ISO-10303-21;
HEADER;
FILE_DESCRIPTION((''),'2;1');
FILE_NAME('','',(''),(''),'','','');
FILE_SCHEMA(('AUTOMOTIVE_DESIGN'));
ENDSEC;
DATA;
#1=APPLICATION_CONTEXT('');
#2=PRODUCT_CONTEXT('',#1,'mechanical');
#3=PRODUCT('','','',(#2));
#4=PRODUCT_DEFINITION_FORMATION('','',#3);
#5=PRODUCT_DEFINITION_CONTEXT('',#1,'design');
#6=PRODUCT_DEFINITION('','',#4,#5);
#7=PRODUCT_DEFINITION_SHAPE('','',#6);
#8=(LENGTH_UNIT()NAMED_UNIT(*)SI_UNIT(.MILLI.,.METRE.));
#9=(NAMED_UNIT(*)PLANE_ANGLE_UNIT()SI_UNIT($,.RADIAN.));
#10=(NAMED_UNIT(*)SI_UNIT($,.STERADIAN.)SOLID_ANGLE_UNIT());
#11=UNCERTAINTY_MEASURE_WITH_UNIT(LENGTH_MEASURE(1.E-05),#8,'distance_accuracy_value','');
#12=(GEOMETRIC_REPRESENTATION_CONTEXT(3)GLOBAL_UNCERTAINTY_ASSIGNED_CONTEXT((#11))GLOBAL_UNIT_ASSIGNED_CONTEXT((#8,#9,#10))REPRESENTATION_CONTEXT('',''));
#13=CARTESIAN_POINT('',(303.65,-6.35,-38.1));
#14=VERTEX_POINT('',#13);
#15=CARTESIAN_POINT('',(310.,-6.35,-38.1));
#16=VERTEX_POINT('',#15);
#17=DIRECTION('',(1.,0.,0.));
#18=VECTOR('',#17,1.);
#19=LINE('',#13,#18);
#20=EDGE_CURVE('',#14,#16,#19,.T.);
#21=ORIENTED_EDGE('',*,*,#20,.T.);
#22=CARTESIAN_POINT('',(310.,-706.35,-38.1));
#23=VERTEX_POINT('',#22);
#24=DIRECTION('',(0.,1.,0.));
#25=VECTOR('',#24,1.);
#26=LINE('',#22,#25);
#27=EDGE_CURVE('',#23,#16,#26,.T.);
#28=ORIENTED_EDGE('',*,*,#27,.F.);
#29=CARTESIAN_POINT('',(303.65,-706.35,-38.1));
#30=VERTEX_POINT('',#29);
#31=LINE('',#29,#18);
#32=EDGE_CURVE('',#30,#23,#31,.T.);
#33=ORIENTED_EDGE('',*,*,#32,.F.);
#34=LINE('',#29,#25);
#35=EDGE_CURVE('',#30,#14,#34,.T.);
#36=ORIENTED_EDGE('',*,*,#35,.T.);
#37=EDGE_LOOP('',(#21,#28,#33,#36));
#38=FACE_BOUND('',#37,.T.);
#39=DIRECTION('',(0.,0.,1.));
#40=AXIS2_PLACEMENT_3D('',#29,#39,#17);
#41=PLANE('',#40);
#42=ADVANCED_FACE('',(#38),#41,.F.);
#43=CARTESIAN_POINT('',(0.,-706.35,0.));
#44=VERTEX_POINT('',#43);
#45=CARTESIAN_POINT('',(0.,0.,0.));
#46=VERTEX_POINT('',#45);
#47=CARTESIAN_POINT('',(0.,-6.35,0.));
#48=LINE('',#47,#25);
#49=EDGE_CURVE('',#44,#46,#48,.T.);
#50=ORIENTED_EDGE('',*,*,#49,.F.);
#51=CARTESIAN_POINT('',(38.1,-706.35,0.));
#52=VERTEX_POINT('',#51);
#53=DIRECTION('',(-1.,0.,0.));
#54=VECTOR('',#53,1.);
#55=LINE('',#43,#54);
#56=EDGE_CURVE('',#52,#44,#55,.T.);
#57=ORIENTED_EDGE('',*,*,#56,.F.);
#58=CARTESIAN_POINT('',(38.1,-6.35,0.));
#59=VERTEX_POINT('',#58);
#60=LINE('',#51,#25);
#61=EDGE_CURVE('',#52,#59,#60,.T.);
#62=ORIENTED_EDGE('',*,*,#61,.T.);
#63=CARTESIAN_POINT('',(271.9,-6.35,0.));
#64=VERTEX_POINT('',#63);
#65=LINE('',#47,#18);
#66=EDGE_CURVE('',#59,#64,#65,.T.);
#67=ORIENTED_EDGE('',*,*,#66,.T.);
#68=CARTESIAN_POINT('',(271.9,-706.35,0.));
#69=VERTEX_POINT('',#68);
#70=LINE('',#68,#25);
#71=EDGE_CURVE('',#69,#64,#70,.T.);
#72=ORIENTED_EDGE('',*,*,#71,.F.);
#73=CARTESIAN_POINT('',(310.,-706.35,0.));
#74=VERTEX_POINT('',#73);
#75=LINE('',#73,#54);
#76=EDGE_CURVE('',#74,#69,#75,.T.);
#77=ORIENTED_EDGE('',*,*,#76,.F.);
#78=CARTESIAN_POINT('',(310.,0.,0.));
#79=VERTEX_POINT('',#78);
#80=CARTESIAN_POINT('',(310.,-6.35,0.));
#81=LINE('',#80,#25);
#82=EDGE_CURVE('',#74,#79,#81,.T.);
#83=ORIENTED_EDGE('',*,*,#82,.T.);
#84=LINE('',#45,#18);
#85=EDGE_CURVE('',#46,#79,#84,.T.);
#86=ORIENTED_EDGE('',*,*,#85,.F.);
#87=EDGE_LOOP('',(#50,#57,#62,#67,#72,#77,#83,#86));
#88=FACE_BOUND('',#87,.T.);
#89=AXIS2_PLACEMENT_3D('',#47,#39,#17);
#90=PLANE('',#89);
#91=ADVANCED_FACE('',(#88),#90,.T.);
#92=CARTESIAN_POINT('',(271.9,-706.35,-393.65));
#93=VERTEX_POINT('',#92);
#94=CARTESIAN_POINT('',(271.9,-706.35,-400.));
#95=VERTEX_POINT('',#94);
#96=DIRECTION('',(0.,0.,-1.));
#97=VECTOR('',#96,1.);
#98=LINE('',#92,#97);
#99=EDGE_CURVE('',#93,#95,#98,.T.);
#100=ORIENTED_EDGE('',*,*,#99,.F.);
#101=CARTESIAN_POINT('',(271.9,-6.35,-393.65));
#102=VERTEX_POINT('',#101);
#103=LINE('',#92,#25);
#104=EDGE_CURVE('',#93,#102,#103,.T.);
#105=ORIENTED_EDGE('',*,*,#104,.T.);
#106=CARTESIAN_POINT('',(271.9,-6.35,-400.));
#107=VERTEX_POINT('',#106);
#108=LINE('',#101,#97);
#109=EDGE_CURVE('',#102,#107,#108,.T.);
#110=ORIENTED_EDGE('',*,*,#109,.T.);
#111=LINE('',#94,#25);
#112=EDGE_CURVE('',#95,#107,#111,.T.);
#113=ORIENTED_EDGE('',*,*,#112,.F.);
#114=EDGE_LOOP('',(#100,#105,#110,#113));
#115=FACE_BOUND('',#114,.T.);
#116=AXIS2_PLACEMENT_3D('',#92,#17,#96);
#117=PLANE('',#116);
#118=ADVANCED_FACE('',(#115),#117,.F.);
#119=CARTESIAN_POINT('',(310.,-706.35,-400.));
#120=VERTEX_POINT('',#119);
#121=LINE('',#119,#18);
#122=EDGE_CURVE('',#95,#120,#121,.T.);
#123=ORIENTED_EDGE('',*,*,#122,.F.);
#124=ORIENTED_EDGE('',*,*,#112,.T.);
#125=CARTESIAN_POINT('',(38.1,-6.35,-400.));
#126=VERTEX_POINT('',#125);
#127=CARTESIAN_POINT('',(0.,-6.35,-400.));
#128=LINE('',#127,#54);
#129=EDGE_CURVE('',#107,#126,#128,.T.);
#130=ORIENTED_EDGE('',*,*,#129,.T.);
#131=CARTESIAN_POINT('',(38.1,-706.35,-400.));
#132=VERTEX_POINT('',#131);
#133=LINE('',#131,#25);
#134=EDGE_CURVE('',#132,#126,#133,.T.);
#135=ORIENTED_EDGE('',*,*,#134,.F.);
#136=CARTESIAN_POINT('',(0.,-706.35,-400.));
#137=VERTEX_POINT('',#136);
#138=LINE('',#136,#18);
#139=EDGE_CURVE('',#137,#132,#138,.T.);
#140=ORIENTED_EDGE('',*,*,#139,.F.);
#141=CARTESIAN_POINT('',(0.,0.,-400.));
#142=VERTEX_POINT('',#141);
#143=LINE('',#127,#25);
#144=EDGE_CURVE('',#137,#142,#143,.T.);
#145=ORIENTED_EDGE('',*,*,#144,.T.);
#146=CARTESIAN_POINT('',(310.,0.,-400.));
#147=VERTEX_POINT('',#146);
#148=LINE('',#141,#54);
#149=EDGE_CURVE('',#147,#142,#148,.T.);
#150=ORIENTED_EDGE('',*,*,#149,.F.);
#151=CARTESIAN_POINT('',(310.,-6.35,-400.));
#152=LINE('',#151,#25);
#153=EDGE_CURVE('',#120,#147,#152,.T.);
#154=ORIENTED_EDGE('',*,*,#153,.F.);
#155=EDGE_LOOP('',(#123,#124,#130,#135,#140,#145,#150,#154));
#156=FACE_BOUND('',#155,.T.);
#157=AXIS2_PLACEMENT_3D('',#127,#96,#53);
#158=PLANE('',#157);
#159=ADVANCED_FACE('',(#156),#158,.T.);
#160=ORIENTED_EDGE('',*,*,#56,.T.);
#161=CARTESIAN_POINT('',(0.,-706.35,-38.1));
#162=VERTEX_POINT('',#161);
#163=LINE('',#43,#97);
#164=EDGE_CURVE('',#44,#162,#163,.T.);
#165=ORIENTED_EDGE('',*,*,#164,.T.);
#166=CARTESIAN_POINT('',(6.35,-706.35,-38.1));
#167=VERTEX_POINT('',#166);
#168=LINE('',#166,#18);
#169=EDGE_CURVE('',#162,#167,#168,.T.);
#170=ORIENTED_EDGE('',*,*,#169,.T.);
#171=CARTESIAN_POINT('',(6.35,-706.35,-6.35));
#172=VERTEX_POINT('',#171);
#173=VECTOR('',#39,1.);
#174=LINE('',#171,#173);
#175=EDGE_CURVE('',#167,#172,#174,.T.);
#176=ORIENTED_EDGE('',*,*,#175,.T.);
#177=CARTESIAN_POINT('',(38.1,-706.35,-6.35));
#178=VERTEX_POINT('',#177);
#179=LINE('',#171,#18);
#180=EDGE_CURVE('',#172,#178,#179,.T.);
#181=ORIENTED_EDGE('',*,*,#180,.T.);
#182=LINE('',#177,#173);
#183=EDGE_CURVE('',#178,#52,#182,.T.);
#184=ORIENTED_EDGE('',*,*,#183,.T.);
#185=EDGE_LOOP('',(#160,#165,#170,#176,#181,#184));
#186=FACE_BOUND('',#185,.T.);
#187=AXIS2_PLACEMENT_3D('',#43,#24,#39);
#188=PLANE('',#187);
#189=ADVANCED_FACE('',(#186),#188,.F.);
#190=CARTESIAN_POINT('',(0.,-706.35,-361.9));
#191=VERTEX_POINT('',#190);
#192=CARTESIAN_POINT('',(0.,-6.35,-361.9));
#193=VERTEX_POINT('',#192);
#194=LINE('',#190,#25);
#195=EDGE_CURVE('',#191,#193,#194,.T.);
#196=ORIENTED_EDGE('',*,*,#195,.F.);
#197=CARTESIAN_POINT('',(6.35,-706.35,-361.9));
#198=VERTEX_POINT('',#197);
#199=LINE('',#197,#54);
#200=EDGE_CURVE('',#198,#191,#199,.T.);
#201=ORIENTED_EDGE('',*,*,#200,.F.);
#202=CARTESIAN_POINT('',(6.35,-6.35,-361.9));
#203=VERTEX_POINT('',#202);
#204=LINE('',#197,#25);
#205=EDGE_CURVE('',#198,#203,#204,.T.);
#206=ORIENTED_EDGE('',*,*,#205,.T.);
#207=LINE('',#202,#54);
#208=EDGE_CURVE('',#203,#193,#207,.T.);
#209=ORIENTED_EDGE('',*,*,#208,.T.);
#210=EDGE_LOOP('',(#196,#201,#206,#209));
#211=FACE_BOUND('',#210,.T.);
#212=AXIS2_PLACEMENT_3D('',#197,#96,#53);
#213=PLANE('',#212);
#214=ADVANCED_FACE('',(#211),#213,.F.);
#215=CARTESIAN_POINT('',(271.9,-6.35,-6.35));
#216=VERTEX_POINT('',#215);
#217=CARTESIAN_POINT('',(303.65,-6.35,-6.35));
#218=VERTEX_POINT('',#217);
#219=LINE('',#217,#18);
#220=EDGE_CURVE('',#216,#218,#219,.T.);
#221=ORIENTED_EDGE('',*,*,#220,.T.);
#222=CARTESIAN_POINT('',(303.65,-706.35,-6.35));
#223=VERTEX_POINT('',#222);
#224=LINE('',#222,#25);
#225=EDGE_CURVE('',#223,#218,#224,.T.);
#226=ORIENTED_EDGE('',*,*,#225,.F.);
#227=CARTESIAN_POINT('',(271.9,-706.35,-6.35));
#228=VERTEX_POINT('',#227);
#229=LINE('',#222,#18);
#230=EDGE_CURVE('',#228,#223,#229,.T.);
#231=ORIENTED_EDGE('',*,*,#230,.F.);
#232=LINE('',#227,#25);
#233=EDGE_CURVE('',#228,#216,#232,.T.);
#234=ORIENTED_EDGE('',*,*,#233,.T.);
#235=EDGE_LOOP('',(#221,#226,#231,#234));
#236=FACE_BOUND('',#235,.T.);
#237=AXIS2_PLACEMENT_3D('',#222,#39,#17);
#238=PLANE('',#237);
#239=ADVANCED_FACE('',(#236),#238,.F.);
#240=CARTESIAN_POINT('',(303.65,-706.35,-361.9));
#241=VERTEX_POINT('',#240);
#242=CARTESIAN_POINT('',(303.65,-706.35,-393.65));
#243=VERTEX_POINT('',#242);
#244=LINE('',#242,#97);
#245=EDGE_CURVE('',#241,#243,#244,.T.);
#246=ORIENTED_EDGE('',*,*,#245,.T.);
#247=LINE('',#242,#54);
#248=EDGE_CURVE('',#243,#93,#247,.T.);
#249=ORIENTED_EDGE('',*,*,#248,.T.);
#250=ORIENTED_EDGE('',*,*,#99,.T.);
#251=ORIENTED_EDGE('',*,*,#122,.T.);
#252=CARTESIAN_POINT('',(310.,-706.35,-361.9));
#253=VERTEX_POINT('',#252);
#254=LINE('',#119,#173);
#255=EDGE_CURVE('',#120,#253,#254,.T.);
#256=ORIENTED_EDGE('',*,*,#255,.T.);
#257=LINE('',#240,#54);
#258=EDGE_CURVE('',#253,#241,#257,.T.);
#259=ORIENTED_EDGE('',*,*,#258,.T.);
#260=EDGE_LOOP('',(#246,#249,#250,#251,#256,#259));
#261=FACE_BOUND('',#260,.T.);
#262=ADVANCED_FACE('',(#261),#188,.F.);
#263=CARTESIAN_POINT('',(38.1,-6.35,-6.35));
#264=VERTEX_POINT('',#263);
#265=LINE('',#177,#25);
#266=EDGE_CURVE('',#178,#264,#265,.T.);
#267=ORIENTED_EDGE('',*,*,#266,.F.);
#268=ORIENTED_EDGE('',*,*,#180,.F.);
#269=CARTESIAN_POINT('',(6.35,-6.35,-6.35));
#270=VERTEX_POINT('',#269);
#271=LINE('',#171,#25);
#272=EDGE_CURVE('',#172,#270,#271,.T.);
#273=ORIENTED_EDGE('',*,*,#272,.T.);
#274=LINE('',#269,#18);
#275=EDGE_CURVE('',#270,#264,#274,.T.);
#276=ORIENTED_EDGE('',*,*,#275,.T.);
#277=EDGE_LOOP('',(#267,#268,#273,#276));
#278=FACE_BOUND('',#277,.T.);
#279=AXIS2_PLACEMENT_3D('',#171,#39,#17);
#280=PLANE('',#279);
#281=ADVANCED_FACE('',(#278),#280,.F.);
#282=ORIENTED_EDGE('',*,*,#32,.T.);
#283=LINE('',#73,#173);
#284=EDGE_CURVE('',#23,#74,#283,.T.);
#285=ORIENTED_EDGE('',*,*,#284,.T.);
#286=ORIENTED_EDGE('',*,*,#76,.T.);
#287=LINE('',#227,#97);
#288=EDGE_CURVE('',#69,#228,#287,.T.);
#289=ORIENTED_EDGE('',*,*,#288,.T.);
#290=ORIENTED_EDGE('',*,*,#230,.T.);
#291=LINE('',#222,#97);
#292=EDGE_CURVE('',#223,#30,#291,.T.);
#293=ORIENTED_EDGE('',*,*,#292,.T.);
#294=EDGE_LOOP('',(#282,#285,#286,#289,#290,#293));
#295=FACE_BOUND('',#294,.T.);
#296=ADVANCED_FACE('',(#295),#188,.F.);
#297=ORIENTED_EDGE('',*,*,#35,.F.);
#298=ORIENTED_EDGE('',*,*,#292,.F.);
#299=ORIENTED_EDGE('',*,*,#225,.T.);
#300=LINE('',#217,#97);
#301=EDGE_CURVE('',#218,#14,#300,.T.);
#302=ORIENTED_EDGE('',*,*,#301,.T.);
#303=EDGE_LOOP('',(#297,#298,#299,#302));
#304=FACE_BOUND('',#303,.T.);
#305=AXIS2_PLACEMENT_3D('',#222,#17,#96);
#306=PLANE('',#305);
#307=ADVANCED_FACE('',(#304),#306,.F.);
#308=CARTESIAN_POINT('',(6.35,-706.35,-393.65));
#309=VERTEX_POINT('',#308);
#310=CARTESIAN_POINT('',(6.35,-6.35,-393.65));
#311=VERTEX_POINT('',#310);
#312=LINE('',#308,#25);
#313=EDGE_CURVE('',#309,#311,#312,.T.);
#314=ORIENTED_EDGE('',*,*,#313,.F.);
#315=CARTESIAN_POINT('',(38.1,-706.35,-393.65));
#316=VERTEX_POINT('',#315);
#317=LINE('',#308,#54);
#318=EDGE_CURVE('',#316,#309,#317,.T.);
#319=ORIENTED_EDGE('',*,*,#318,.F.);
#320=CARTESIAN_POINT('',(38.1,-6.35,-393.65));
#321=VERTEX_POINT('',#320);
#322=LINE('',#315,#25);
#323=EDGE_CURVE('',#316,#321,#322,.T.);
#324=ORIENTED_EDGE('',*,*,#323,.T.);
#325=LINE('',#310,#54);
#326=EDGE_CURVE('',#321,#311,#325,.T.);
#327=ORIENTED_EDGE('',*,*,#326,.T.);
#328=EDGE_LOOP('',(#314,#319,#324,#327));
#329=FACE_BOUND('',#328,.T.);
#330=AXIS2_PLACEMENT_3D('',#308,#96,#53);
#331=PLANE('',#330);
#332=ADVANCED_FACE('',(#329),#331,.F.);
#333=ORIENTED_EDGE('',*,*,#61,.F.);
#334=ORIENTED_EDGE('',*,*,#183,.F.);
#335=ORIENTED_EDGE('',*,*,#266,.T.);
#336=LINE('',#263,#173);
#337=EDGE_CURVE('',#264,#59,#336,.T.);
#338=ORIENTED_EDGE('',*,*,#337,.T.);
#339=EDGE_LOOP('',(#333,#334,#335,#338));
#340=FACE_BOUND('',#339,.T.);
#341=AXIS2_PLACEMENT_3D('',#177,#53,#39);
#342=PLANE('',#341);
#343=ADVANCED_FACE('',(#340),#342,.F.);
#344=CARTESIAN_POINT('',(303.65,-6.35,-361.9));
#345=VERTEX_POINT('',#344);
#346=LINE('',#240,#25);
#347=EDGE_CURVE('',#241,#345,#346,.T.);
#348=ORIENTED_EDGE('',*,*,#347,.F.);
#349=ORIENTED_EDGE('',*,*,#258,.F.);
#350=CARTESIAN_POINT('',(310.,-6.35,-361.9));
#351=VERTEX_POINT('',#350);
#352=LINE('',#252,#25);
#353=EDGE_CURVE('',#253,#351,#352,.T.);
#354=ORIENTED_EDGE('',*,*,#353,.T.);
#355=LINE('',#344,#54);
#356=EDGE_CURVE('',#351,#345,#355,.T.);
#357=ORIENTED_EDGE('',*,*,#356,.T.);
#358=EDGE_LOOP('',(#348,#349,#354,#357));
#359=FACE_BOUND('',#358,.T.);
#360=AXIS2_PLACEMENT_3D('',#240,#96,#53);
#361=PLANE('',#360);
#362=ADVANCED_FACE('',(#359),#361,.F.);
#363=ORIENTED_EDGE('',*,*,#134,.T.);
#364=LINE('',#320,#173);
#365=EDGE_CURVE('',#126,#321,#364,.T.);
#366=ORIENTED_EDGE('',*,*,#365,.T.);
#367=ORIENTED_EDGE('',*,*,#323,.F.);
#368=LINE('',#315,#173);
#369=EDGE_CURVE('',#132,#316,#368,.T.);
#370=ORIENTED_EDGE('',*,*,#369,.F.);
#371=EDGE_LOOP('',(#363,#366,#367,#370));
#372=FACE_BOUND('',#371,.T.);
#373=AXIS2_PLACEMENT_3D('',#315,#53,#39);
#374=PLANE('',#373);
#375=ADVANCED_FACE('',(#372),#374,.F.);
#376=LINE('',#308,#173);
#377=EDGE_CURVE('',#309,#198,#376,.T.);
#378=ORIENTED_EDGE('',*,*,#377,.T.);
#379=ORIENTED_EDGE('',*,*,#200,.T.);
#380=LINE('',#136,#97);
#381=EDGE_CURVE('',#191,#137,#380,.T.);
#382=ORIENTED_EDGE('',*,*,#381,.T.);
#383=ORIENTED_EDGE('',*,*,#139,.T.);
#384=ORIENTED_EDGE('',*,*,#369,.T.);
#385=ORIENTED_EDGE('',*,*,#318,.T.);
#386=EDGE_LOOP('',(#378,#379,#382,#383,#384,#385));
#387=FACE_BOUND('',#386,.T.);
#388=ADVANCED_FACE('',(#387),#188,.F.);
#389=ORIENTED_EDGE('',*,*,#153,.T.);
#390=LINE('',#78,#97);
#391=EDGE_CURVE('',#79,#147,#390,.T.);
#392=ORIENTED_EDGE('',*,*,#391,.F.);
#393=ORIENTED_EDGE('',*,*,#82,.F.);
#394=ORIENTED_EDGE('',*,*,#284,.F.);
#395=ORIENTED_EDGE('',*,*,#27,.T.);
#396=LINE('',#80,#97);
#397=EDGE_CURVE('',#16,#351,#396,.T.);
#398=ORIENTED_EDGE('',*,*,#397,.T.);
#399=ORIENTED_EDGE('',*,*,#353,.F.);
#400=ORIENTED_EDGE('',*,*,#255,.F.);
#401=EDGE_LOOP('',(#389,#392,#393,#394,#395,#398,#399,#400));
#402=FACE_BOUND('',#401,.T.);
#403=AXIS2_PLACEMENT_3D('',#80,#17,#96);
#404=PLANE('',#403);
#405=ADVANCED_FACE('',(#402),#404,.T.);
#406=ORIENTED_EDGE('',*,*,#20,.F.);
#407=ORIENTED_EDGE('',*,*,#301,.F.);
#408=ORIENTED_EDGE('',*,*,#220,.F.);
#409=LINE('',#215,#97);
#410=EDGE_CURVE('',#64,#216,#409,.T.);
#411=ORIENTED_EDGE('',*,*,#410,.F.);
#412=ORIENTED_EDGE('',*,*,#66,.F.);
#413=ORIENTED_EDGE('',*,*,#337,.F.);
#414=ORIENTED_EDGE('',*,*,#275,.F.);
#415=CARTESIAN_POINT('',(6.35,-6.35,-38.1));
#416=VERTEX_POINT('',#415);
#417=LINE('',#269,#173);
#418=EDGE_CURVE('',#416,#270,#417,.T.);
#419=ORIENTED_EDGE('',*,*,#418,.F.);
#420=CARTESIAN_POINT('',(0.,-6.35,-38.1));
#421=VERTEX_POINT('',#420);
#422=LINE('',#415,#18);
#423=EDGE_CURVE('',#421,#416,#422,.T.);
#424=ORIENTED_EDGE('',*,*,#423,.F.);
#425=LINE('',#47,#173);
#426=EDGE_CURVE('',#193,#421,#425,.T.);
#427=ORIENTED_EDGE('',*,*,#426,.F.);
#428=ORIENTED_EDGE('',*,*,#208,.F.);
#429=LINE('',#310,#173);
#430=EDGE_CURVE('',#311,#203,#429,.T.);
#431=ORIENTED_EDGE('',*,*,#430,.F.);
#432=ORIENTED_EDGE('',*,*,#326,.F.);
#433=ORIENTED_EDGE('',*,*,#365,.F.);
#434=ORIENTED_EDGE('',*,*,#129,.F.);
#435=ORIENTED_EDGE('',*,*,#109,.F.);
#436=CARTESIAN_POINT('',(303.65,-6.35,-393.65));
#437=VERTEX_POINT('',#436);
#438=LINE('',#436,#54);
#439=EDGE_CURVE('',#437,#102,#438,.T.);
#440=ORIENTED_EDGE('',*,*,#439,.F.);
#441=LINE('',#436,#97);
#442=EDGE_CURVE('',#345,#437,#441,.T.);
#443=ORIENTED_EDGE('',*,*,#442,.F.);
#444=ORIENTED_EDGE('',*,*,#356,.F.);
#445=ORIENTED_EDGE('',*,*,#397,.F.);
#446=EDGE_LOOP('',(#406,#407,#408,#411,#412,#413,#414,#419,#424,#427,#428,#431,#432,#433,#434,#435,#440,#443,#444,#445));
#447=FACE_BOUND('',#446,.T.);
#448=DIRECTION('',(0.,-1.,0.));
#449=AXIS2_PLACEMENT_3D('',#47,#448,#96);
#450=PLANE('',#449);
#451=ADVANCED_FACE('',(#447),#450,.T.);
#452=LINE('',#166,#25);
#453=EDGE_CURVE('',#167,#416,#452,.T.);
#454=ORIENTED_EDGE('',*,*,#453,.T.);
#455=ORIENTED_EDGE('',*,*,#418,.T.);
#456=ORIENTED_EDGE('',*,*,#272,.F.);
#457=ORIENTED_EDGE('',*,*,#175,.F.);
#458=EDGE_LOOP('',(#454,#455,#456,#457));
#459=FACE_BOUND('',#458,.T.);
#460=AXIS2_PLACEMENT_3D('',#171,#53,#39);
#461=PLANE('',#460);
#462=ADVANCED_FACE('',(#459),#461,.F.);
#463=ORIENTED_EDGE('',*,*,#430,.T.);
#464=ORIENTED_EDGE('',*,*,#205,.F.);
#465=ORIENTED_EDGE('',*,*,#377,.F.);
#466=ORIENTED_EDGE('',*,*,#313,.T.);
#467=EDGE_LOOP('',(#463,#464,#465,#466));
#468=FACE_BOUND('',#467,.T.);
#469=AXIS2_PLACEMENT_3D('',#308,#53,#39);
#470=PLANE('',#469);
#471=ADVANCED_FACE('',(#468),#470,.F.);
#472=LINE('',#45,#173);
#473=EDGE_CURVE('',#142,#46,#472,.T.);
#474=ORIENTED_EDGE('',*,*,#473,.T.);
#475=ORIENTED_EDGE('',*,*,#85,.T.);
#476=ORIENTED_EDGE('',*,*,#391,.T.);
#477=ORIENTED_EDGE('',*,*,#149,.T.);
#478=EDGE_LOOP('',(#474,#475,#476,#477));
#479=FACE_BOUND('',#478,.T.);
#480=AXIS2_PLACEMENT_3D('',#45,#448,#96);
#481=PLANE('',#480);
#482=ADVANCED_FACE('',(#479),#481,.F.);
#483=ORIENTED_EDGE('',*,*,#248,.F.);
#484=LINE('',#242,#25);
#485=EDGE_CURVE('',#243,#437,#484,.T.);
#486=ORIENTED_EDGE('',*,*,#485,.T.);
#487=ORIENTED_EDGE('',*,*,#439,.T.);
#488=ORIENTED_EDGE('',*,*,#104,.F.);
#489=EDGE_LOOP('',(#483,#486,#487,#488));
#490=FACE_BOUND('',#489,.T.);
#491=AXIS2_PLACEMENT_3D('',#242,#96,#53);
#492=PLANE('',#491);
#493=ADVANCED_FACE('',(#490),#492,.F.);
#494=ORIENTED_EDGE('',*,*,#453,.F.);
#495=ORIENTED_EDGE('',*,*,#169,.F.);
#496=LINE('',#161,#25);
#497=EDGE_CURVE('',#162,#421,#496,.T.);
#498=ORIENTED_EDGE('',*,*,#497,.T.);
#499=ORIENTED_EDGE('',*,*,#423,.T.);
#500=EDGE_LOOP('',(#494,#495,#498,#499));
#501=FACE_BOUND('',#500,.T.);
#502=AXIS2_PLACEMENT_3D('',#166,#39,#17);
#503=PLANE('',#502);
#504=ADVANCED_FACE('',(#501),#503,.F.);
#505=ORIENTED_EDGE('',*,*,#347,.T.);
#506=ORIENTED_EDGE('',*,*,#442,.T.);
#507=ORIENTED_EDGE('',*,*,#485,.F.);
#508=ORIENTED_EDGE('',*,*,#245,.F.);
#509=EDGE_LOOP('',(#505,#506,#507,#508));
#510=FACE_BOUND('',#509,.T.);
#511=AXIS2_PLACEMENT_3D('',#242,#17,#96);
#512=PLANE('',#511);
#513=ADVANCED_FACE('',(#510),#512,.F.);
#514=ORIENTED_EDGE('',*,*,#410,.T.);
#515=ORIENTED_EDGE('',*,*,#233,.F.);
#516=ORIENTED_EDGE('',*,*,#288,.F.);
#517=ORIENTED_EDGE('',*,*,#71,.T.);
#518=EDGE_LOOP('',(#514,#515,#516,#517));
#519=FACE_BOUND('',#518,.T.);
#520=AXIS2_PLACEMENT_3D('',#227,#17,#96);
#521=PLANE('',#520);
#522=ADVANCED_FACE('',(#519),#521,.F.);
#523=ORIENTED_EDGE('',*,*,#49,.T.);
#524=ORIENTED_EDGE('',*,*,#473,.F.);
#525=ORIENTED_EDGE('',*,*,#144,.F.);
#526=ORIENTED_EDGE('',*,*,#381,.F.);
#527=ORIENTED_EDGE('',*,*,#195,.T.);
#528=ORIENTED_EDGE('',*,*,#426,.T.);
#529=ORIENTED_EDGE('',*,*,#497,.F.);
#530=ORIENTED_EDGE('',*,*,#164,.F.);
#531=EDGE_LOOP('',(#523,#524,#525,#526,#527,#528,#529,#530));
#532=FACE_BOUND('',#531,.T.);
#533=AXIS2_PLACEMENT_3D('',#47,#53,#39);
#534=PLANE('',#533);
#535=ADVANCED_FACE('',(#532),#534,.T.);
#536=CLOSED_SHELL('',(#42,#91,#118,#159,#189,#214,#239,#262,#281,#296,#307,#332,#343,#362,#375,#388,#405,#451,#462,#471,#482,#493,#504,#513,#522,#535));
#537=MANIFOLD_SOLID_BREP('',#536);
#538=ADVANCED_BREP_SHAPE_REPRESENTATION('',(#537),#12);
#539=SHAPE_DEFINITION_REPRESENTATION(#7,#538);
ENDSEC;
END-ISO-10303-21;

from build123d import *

# Parameters (mm, degrees)
CROQUIS2_W              = 310
CROQUIS2_H              = 400
SALIENTE_EXTRUIR1_DEPTH = 6.35
SALIENTE_EXTRUIR2_DEPTH = 700


with BuildPart() as part:
    # Croquis2 → Saliente-Extruir1 (new body)
    with BuildSketch(Plane(origin=(0, 0, 0), x_dir=(1, 0, 0), z_dir=(0, 1, 0))):
        with Locations((155, 200)):
            Rectangle(CROQUIS2_W, CROQUIS2_H)
    extrude(amount=-SALIENTE_EXTRUIR1_DEPTH)

    # Croquis3 → Saliente-Extruir2 (add)
    with BuildSketch(Plane.XZ.offset(6.35)):
        Polygon((0, 0), (38.1, 0), (38.1, -6.35), (6.35, -6.35), (6.35, -38.1), (0, -38.1), align=None)
        Polygon((303.65, -38.1), (310, -38.1), (310, 0), (271.9, 0), (271.9, -6.35), (303.65, -6.35), align=None)
        Polygon((310, -400), (271.9, -400), (271.9, -393.65), (303.65, -393.65), (303.65, -361.9), (310, -361.9), align=None)
        Polygon((6.35, -361.9), (0, -361.9), (0, -400), (38.1, -400), (38.1, -393.65), (6.35, -393.65), align=None)
    extrude(amount=SALIENTE_EXTRUIR2_DEPTH)


solid = part.part
